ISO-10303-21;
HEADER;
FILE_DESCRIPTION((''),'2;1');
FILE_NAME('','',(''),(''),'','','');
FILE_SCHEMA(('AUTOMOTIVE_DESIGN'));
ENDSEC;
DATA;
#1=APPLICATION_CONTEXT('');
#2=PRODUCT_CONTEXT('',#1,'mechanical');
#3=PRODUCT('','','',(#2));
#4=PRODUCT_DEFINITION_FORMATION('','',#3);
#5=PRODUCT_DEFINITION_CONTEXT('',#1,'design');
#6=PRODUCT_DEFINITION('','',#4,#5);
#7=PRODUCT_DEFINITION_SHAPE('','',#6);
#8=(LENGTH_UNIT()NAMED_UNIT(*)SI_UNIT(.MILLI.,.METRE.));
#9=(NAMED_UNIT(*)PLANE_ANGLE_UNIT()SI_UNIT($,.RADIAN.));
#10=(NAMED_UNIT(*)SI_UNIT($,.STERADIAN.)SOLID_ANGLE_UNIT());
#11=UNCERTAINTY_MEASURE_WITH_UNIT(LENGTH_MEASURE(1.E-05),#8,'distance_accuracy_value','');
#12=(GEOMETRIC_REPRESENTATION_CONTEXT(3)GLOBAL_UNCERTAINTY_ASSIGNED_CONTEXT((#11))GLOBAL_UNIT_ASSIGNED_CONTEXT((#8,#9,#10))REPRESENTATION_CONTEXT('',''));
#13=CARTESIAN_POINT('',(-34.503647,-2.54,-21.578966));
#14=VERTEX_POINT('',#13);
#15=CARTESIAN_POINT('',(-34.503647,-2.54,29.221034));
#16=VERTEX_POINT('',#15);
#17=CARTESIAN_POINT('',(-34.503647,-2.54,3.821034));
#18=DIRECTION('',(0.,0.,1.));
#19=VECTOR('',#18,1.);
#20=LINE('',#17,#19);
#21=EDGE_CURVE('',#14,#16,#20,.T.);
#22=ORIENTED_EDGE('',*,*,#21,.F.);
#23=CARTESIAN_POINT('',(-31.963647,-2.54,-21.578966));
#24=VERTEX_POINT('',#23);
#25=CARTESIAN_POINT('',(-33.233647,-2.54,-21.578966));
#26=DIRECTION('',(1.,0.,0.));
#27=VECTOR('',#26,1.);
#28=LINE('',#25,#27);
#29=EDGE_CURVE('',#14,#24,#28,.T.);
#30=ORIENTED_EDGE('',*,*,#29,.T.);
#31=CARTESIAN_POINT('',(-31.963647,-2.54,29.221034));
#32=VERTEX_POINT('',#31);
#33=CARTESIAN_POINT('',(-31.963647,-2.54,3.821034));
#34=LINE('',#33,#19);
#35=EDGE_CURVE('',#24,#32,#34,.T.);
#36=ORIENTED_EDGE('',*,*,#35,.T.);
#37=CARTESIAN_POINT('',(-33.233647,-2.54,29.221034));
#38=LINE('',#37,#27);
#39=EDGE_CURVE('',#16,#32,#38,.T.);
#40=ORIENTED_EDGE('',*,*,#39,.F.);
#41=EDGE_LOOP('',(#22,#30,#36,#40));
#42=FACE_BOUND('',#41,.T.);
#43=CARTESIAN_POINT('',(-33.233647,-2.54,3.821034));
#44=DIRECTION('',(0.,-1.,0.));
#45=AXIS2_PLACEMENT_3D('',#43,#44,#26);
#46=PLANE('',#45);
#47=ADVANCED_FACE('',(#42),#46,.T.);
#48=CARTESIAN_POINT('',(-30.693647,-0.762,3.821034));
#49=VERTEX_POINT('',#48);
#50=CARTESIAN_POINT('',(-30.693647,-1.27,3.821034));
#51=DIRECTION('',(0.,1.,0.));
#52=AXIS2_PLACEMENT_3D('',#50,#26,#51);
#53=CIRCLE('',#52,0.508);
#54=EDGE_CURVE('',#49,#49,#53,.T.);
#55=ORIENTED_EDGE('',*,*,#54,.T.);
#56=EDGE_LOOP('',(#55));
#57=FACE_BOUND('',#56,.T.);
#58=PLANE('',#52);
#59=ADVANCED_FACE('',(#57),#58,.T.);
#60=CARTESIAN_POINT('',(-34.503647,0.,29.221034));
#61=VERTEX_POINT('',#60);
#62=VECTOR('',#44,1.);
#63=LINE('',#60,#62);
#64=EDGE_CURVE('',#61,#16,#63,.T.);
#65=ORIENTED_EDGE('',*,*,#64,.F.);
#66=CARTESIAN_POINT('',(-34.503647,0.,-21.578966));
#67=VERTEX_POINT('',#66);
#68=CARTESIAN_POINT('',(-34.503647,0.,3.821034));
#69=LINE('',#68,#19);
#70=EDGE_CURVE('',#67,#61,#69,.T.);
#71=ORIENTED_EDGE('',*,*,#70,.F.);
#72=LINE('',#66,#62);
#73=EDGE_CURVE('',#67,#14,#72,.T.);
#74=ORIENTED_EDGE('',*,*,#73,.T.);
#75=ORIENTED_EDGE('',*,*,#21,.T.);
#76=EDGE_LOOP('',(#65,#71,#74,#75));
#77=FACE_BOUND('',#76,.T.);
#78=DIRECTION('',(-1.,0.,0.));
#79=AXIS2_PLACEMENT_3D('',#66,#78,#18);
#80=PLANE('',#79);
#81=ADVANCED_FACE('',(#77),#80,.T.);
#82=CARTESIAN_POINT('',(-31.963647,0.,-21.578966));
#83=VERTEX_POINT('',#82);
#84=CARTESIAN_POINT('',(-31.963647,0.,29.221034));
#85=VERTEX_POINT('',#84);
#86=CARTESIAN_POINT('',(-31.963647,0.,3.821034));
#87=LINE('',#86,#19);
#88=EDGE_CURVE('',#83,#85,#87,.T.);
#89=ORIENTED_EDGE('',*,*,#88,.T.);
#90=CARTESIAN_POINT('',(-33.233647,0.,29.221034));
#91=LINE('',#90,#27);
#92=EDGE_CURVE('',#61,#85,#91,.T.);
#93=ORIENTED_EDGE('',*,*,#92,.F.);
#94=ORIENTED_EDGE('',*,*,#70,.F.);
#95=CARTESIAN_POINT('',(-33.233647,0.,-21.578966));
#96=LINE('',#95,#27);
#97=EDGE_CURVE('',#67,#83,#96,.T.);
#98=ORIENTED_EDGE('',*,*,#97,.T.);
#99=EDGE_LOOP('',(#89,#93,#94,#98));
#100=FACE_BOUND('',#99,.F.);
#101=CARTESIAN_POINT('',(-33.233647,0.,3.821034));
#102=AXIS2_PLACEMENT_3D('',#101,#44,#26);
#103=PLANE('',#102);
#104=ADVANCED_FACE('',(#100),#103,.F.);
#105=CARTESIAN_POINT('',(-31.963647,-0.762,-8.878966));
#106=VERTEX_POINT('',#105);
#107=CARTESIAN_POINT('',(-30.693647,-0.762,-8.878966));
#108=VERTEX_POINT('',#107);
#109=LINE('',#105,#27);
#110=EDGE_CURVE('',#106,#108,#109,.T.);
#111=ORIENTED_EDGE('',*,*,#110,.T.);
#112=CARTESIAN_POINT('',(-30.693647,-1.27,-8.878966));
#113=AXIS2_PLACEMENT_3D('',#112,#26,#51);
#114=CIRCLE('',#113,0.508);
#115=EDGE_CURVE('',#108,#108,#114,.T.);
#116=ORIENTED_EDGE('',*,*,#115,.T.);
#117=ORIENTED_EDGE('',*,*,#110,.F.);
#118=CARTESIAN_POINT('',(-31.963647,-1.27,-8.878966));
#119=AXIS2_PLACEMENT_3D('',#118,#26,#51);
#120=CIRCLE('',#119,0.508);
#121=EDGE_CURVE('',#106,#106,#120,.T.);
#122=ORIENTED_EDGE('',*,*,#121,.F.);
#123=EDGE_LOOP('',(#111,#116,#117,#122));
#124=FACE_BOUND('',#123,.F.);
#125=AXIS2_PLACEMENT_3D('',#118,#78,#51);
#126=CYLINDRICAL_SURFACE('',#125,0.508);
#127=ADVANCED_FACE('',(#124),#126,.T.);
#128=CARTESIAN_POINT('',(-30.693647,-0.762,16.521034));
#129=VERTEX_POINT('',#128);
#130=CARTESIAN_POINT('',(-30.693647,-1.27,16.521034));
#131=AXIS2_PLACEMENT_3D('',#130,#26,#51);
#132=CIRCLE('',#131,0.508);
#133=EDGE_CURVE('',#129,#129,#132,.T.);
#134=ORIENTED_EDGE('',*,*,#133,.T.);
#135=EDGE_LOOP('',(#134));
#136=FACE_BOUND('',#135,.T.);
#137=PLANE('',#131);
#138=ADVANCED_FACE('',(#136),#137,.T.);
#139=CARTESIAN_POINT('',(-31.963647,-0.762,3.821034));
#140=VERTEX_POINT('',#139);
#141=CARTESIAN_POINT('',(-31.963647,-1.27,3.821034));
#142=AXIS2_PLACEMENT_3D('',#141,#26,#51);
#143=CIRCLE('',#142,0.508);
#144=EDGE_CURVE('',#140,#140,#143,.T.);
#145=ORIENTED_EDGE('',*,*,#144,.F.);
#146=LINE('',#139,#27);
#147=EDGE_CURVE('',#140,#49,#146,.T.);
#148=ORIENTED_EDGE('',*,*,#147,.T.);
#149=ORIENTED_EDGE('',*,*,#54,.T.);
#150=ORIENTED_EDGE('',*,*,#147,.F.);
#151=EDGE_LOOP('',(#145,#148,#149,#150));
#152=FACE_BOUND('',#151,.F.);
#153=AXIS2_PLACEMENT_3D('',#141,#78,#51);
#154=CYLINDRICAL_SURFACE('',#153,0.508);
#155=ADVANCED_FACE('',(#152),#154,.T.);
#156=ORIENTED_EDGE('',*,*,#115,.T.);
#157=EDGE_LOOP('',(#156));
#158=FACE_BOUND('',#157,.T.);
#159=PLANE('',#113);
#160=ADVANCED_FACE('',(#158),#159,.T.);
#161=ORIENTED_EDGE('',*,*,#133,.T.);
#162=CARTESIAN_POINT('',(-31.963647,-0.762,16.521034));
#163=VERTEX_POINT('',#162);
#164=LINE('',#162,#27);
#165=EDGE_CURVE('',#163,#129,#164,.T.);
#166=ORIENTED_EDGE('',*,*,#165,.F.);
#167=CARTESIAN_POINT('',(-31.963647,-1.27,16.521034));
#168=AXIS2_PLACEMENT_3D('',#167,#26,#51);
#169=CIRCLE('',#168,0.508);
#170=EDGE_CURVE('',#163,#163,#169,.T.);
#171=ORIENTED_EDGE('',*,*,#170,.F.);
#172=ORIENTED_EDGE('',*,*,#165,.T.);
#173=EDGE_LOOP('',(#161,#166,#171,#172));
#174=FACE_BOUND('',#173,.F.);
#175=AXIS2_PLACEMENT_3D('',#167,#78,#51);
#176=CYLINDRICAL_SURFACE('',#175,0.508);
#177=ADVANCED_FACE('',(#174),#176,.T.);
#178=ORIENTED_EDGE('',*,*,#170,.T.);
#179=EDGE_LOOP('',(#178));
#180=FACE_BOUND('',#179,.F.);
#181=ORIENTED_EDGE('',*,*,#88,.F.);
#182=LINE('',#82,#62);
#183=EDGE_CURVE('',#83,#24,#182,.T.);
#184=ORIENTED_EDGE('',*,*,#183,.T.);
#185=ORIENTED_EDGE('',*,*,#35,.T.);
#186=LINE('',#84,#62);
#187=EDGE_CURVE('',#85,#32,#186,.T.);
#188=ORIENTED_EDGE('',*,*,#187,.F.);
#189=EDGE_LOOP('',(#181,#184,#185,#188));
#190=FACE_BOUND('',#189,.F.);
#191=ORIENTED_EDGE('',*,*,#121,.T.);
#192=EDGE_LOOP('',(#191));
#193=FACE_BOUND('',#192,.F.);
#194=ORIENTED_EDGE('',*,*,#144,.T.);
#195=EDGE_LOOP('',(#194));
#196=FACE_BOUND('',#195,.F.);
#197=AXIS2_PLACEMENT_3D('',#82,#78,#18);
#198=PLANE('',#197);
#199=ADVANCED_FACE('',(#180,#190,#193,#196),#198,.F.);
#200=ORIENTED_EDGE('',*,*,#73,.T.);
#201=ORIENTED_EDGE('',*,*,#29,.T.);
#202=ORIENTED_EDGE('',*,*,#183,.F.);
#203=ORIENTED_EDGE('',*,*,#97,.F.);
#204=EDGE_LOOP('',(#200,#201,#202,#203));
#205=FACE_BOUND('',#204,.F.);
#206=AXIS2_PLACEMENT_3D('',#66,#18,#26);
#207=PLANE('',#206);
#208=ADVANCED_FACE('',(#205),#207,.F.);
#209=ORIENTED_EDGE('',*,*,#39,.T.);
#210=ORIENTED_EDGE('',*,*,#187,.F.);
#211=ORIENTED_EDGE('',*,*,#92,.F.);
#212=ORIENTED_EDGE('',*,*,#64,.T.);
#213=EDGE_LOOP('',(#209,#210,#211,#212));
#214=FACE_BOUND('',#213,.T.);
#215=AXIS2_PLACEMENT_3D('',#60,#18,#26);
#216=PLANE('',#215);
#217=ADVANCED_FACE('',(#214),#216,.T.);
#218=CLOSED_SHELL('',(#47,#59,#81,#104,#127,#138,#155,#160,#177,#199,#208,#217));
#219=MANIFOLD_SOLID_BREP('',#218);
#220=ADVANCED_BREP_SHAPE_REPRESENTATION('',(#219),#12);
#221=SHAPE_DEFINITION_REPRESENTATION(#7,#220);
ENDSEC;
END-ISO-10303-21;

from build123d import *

# Parameters (mm, degrees)
F0_W     = 2.54
F0_H     = 50.8
F1_DEPTH = 2.54
F2_R     = 0.508
F3_DEPTH = 1.27
F4_DEPTH = 1.27


with BuildPart() as f1:
    # F0 (on Front) → F1 (new body)
    with BuildSketch(Plane.XZ):
        with Locations((-33.233647, 3.821034)):
            Rectangle(F0_W, F0_H)
    extrude(amount=F1_DEPTH)

    # F2 (on face) → F3 (join)
    with BuildSketch(Plane.YZ.offset(-31.963647)):
        with Locations((-1.27, 16.521034)):
            Circle(F2_R)
        with Locations((-1.27, 3.821034)):
            Circle(F2_R)
    extrude(amount=F3_DEPTH)

    # F2 (on face) → F4 (join)
    with BuildSketch(Plane.YZ.offset(-31.963647)):
        with Locations((-1.27, -8.878966)):
            Circle(F2_R)
    extrude(amount=F4_DEPTH)


solid = f1.part
